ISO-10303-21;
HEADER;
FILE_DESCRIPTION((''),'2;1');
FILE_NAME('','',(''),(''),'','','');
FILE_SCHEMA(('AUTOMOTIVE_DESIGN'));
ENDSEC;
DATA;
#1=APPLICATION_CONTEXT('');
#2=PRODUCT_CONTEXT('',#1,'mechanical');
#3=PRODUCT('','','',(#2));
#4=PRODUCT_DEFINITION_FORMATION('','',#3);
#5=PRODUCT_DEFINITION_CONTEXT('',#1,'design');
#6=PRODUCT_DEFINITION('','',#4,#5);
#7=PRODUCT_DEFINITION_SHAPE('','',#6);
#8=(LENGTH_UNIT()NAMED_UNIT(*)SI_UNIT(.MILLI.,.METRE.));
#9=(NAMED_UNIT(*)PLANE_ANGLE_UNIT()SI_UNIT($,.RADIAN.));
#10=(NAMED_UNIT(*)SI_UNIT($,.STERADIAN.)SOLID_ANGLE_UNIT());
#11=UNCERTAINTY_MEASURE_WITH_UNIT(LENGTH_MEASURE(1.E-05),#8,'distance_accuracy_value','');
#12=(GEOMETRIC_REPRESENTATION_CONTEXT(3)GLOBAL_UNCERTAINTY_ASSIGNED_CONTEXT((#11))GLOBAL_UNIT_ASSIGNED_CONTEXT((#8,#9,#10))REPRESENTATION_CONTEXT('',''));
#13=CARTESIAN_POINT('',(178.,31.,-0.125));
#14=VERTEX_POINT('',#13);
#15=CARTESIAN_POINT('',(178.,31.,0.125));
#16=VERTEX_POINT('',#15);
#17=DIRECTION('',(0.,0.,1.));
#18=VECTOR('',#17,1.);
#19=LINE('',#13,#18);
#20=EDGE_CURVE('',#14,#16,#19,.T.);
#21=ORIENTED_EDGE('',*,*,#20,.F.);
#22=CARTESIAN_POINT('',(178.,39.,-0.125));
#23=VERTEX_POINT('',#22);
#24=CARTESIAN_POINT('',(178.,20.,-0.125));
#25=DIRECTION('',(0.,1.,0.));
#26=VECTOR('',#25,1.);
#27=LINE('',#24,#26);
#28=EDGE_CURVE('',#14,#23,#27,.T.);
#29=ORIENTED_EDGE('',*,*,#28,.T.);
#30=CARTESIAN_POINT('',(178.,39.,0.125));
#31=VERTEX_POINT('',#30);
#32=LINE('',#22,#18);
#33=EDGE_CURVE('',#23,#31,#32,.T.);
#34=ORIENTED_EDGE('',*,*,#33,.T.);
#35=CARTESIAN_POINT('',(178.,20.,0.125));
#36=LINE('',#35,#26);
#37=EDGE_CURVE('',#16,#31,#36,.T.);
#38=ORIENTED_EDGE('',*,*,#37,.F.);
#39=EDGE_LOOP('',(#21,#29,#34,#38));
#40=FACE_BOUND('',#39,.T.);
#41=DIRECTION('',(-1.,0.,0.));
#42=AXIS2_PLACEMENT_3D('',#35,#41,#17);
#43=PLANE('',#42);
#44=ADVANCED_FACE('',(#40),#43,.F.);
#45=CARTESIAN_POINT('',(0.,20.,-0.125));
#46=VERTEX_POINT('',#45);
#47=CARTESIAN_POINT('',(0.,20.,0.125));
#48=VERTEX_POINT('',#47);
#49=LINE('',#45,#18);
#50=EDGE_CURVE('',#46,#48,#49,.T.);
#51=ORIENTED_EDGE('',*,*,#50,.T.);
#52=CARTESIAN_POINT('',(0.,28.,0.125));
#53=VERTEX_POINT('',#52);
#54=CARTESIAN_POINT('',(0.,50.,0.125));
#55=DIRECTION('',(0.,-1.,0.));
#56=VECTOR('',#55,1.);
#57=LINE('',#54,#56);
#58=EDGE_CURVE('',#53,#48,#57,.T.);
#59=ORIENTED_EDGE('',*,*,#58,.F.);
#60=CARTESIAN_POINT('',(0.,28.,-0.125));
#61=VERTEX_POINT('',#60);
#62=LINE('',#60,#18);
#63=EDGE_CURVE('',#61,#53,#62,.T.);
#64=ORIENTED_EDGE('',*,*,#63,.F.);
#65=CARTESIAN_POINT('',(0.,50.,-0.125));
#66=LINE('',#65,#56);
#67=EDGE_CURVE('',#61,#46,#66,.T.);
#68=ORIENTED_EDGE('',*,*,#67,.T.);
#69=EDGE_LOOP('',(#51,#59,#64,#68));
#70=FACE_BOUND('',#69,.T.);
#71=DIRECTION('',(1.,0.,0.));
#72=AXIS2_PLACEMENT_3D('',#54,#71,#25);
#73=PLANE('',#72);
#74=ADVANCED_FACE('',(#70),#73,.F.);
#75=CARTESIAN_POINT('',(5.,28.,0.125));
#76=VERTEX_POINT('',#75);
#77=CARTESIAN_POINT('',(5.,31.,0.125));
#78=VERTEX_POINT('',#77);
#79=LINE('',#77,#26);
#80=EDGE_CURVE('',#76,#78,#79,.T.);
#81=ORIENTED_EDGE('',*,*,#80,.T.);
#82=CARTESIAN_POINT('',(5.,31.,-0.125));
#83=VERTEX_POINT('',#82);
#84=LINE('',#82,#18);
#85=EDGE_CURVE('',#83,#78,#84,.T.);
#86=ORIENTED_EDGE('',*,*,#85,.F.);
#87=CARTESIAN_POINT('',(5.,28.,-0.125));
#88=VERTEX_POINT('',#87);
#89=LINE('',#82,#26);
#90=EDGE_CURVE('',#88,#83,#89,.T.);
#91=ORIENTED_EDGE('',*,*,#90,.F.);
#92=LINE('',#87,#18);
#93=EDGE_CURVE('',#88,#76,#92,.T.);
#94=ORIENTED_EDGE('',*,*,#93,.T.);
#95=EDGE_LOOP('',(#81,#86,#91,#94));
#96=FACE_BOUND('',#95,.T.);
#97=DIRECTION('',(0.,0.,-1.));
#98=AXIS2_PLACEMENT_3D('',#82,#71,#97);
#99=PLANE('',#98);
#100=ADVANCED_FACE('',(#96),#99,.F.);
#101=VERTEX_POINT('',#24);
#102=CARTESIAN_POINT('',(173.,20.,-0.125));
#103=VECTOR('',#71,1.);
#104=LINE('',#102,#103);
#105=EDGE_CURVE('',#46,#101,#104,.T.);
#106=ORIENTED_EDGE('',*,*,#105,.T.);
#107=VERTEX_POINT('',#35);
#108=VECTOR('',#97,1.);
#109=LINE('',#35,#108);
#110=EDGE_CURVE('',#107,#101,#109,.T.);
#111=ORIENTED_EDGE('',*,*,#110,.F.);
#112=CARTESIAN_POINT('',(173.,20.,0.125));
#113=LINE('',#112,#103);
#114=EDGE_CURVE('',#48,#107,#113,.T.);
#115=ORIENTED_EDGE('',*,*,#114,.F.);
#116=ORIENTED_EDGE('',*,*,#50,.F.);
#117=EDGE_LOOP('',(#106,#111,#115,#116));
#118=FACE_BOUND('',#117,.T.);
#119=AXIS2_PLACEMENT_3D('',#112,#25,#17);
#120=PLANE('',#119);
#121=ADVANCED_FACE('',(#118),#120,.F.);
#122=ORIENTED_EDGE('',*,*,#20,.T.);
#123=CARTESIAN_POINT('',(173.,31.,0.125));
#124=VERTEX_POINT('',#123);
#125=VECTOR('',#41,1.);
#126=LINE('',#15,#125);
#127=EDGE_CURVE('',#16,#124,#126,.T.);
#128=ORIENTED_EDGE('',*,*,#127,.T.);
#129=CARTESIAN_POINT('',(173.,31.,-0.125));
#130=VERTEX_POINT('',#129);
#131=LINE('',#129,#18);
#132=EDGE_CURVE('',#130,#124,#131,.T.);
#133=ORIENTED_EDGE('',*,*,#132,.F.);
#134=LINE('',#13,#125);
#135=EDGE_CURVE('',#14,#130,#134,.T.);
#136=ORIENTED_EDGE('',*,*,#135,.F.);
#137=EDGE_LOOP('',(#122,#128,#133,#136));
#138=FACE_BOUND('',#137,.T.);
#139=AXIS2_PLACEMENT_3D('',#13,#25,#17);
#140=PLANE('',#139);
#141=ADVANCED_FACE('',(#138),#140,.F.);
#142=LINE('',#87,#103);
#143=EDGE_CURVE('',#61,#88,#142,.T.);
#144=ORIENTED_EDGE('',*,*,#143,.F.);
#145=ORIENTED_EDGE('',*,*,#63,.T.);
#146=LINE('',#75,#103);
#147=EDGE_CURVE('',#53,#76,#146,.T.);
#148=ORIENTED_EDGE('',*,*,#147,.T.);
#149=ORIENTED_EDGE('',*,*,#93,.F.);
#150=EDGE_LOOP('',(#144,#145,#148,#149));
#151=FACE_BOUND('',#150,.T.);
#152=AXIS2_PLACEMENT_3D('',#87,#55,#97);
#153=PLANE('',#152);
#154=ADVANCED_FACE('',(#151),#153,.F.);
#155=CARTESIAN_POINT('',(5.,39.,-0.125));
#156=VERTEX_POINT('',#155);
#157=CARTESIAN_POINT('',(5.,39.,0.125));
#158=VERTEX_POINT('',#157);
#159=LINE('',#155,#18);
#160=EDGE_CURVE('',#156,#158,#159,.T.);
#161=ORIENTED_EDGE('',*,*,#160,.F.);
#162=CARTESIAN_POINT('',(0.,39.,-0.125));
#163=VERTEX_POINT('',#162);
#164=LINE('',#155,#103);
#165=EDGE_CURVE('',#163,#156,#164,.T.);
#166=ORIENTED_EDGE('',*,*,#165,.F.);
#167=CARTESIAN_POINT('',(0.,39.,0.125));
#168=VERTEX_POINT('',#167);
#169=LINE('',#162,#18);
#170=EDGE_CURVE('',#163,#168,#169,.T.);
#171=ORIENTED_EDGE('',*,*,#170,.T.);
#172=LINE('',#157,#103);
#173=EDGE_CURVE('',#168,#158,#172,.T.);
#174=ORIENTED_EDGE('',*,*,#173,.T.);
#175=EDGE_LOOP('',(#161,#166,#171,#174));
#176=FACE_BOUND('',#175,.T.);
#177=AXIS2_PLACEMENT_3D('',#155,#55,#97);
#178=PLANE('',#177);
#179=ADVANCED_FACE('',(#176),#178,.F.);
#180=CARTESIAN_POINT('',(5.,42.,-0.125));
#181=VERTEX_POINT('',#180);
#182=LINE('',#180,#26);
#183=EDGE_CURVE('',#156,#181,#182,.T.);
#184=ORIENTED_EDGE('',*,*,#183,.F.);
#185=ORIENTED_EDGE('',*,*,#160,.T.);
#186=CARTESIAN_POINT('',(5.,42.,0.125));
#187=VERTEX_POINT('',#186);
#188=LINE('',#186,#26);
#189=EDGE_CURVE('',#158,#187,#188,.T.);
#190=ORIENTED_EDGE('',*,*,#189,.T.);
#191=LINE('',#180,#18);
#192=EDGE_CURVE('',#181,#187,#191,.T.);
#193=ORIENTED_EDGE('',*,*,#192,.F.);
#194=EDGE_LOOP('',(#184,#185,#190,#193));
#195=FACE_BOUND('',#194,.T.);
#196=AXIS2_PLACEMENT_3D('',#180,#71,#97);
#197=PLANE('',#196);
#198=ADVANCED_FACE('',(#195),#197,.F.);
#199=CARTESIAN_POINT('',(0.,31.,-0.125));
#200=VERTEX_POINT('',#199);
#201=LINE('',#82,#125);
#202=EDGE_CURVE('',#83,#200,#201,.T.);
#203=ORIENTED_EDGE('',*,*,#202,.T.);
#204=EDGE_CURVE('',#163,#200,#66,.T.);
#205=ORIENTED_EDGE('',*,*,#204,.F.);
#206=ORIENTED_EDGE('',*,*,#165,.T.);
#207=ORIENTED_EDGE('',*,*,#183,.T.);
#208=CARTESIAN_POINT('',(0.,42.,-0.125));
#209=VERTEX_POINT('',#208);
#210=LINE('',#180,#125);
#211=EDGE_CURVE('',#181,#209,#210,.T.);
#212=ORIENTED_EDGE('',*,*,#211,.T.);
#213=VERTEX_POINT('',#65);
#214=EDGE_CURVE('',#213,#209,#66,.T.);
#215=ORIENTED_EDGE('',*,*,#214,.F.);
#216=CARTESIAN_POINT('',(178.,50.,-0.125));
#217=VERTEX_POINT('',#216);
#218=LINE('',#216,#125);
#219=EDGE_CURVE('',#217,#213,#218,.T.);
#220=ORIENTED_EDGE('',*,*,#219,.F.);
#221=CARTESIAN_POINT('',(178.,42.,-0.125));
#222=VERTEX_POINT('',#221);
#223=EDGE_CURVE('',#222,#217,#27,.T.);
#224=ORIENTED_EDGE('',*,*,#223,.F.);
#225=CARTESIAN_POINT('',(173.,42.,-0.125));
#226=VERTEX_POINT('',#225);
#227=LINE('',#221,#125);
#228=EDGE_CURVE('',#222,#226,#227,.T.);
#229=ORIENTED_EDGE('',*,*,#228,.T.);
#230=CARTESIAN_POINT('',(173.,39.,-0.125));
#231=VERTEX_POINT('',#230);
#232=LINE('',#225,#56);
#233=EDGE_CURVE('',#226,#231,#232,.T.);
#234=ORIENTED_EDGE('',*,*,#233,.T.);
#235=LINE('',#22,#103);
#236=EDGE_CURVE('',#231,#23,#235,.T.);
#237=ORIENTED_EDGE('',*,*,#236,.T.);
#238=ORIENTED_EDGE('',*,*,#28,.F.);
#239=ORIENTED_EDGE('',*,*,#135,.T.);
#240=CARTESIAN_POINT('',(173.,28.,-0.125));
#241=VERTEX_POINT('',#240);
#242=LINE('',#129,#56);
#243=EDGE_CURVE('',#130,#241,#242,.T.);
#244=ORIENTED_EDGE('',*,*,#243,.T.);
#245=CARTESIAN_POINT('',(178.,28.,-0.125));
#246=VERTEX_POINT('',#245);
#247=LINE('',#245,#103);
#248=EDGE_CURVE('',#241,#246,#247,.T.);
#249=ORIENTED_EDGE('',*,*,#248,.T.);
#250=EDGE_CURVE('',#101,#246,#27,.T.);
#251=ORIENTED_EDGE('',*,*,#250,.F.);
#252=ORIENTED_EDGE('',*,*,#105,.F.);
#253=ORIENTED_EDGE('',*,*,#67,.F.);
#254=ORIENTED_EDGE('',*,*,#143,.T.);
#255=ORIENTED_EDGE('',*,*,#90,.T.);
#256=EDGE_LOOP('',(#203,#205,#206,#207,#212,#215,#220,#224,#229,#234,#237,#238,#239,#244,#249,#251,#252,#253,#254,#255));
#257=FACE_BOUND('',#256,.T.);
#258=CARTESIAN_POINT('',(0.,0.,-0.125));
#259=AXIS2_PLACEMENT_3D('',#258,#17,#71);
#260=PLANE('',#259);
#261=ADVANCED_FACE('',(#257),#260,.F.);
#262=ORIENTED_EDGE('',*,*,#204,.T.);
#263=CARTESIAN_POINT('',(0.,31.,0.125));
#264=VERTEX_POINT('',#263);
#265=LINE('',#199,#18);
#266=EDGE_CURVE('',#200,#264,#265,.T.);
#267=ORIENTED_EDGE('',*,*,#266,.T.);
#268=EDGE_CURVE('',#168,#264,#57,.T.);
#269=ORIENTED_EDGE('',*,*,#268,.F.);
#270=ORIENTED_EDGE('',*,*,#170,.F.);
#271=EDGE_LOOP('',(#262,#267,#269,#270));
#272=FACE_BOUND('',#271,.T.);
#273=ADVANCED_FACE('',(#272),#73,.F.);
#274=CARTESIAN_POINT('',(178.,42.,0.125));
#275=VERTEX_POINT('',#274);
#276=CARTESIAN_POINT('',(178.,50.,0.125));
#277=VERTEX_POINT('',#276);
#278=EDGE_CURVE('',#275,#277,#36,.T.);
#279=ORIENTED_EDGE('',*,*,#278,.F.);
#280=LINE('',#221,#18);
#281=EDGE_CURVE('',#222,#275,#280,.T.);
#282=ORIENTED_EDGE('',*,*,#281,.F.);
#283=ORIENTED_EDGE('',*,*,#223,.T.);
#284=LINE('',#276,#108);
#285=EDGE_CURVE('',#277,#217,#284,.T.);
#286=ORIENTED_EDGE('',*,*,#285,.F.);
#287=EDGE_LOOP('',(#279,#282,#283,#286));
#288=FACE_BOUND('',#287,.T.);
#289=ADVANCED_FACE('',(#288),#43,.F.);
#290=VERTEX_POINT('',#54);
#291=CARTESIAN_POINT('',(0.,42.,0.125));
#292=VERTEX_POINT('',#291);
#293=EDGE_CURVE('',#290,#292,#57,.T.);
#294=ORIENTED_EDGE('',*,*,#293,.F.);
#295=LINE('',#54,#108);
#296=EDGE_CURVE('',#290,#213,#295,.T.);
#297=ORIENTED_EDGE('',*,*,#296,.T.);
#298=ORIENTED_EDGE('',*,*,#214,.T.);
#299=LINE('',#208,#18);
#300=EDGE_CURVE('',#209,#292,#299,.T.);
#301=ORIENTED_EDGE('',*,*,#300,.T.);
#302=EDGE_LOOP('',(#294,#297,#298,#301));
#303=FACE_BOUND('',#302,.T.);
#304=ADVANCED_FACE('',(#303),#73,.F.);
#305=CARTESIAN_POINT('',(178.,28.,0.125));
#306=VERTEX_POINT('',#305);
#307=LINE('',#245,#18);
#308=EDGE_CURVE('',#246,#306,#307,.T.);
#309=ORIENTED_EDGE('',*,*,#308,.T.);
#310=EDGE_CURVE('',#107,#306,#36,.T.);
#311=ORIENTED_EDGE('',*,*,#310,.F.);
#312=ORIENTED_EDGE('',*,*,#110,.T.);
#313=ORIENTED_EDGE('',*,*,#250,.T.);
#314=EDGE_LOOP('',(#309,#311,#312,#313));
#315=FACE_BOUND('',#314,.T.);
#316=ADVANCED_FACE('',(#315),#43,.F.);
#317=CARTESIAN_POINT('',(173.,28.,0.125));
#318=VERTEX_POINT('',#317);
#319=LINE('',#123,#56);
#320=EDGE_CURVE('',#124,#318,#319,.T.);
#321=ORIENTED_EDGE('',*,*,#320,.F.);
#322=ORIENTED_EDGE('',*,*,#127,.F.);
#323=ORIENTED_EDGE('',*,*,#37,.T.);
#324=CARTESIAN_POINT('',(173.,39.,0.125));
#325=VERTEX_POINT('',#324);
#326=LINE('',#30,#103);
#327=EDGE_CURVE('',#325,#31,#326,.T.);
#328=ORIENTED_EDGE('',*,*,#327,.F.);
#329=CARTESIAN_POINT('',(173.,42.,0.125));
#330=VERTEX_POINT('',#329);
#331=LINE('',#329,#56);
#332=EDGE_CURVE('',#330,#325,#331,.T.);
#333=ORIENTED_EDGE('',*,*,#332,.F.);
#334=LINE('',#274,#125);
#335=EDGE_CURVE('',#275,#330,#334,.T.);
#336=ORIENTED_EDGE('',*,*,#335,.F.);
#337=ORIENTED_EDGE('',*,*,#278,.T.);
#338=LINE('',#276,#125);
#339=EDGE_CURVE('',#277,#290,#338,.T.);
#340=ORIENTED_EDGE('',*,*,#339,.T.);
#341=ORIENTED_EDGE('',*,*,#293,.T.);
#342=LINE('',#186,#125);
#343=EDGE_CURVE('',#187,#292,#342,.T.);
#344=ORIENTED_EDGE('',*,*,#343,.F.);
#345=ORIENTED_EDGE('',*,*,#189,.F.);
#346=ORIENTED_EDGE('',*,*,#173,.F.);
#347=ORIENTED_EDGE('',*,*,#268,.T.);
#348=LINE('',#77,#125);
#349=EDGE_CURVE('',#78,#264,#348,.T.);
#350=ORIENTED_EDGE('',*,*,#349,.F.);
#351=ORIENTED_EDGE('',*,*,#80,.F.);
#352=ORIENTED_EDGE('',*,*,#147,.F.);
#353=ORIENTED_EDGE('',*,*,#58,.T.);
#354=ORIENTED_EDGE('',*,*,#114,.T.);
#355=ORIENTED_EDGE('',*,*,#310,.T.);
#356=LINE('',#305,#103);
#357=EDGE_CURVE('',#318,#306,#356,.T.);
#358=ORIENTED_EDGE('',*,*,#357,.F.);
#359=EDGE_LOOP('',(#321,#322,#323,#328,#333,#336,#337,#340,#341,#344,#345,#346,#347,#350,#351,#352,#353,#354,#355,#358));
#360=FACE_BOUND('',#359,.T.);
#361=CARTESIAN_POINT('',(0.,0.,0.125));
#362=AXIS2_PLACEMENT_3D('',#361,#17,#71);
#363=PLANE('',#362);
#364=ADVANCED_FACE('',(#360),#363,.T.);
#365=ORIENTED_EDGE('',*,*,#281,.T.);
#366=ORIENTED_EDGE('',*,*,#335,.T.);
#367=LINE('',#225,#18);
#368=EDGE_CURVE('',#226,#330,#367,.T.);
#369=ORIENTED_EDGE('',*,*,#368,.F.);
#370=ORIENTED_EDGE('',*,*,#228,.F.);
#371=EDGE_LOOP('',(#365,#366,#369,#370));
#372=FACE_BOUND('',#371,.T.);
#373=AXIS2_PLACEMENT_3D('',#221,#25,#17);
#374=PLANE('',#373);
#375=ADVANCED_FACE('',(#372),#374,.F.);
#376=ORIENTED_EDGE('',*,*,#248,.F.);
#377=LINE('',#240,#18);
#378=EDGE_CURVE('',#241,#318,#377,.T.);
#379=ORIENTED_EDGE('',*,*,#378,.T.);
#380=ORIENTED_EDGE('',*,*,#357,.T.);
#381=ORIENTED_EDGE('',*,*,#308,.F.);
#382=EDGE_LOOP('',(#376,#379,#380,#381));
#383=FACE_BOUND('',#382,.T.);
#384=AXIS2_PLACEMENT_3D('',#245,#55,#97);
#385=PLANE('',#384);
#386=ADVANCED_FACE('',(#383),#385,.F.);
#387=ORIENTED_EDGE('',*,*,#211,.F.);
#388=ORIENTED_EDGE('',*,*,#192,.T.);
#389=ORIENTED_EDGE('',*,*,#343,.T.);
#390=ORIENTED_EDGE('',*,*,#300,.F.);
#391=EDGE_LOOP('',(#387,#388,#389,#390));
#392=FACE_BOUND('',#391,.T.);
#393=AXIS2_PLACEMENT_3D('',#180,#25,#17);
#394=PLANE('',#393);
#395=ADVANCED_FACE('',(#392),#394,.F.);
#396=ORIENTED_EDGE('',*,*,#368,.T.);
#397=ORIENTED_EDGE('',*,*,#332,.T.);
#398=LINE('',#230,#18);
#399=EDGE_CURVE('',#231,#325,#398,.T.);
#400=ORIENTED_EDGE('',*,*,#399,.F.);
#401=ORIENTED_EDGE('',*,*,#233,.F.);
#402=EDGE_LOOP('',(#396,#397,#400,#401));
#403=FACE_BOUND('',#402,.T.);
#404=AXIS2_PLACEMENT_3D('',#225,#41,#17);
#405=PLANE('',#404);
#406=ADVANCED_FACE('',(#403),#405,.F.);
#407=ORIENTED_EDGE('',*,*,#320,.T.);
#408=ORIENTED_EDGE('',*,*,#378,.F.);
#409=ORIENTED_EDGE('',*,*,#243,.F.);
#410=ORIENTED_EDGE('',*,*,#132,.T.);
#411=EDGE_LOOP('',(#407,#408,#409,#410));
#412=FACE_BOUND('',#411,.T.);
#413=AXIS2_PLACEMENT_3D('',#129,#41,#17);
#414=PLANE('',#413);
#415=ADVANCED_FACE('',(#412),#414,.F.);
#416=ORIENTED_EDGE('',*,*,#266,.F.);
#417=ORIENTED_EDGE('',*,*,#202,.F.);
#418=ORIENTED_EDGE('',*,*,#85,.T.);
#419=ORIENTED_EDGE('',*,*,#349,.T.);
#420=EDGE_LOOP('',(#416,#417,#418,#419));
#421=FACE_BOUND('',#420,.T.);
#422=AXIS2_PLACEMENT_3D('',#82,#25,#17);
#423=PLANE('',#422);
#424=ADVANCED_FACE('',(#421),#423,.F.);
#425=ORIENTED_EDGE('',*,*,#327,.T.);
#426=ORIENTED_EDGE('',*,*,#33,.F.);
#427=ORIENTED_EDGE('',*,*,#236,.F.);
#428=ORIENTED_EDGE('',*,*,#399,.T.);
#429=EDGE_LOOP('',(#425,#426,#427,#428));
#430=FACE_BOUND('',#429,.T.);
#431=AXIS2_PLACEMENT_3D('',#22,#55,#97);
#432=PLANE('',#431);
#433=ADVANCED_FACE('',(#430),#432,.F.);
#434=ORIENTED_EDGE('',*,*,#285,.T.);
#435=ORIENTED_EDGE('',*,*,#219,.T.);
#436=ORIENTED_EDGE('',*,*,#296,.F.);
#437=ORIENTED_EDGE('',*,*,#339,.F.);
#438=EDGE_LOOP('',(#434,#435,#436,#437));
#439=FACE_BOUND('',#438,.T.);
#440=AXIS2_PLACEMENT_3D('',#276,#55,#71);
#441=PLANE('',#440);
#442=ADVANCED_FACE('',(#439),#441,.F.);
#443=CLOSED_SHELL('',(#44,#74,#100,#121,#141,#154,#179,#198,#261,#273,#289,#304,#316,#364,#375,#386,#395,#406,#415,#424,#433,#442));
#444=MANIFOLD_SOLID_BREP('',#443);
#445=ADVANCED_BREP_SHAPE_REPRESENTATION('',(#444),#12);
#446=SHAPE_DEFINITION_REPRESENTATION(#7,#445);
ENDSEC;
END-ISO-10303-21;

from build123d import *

# Parameters (mm, degrees)
BOSS_EXTRUDE1_DEPTH  = 0.125
SKETCH4_W            = 5
SKETCH4_H            = 3
CUT_EXTRUDE2_DEPTH   = 185.889325003
LPATTERN3_COUNT      = 4
LPATTERN3_PITCH      = 11
LPATTERN3_COUNT_DIR2 = 2
LPATTERN3_PITCH_DIR2 = 173
SKETCH5_W            = 178
SKETCH5_H            = 20
CUT_EXTRUDE3_DEPTH   = 185.889325003


with BuildPart() as part:
    # Sketch2 → Boss-Extrude1 (new, symmetric)
    with BuildSketch(Plane.XY):
        Polygon((0, 0), (5, 0), (173, 20), (178, 20), (178, 50), (0, 50), align=None)
    extrude(amount=BOSS_EXTRUDE1_DEPTH, both=True)

    # Sketch4 → Cut-Extrude2 (cut, through all)
    with BuildSketch(Plane.XY.offset(0.125)):
        with Locations((175.5, 40.5)):
            Rectangle(SKETCH4_W, SKETCH4_H)
    cut_extrude2 = extrude(amount=-CUT_EXTRUDE2_DEPTH, mode=Mode.SUBTRACT)

    # LPattern3: Cut-Extrude2 4 × 2
    with Locations(*[(-j * LPATTERN3_PITCH_DIR2, -i * LPATTERN3_PITCH, 0) for i in range(LPATTERN3_COUNT) for j in range(LPATTERN3_COUNT_DIR2) if (i, j) != (0, 0)]):
        add(cut_extrude2, mode=Mode.SUBTRACT)

    # Sketch5 → Cut-Extrude3 (cut, through all)
    with BuildSketch(Plane.XY.offset(0.125)):
        with Locations((89, 10)):
            Rectangle(SKETCH5_W, SKETCH5_H)
    extrude(amount=-CUT_EXTRUDE3_DEPTH, mode=Mode.SUBTRACT)


solid = part.part
